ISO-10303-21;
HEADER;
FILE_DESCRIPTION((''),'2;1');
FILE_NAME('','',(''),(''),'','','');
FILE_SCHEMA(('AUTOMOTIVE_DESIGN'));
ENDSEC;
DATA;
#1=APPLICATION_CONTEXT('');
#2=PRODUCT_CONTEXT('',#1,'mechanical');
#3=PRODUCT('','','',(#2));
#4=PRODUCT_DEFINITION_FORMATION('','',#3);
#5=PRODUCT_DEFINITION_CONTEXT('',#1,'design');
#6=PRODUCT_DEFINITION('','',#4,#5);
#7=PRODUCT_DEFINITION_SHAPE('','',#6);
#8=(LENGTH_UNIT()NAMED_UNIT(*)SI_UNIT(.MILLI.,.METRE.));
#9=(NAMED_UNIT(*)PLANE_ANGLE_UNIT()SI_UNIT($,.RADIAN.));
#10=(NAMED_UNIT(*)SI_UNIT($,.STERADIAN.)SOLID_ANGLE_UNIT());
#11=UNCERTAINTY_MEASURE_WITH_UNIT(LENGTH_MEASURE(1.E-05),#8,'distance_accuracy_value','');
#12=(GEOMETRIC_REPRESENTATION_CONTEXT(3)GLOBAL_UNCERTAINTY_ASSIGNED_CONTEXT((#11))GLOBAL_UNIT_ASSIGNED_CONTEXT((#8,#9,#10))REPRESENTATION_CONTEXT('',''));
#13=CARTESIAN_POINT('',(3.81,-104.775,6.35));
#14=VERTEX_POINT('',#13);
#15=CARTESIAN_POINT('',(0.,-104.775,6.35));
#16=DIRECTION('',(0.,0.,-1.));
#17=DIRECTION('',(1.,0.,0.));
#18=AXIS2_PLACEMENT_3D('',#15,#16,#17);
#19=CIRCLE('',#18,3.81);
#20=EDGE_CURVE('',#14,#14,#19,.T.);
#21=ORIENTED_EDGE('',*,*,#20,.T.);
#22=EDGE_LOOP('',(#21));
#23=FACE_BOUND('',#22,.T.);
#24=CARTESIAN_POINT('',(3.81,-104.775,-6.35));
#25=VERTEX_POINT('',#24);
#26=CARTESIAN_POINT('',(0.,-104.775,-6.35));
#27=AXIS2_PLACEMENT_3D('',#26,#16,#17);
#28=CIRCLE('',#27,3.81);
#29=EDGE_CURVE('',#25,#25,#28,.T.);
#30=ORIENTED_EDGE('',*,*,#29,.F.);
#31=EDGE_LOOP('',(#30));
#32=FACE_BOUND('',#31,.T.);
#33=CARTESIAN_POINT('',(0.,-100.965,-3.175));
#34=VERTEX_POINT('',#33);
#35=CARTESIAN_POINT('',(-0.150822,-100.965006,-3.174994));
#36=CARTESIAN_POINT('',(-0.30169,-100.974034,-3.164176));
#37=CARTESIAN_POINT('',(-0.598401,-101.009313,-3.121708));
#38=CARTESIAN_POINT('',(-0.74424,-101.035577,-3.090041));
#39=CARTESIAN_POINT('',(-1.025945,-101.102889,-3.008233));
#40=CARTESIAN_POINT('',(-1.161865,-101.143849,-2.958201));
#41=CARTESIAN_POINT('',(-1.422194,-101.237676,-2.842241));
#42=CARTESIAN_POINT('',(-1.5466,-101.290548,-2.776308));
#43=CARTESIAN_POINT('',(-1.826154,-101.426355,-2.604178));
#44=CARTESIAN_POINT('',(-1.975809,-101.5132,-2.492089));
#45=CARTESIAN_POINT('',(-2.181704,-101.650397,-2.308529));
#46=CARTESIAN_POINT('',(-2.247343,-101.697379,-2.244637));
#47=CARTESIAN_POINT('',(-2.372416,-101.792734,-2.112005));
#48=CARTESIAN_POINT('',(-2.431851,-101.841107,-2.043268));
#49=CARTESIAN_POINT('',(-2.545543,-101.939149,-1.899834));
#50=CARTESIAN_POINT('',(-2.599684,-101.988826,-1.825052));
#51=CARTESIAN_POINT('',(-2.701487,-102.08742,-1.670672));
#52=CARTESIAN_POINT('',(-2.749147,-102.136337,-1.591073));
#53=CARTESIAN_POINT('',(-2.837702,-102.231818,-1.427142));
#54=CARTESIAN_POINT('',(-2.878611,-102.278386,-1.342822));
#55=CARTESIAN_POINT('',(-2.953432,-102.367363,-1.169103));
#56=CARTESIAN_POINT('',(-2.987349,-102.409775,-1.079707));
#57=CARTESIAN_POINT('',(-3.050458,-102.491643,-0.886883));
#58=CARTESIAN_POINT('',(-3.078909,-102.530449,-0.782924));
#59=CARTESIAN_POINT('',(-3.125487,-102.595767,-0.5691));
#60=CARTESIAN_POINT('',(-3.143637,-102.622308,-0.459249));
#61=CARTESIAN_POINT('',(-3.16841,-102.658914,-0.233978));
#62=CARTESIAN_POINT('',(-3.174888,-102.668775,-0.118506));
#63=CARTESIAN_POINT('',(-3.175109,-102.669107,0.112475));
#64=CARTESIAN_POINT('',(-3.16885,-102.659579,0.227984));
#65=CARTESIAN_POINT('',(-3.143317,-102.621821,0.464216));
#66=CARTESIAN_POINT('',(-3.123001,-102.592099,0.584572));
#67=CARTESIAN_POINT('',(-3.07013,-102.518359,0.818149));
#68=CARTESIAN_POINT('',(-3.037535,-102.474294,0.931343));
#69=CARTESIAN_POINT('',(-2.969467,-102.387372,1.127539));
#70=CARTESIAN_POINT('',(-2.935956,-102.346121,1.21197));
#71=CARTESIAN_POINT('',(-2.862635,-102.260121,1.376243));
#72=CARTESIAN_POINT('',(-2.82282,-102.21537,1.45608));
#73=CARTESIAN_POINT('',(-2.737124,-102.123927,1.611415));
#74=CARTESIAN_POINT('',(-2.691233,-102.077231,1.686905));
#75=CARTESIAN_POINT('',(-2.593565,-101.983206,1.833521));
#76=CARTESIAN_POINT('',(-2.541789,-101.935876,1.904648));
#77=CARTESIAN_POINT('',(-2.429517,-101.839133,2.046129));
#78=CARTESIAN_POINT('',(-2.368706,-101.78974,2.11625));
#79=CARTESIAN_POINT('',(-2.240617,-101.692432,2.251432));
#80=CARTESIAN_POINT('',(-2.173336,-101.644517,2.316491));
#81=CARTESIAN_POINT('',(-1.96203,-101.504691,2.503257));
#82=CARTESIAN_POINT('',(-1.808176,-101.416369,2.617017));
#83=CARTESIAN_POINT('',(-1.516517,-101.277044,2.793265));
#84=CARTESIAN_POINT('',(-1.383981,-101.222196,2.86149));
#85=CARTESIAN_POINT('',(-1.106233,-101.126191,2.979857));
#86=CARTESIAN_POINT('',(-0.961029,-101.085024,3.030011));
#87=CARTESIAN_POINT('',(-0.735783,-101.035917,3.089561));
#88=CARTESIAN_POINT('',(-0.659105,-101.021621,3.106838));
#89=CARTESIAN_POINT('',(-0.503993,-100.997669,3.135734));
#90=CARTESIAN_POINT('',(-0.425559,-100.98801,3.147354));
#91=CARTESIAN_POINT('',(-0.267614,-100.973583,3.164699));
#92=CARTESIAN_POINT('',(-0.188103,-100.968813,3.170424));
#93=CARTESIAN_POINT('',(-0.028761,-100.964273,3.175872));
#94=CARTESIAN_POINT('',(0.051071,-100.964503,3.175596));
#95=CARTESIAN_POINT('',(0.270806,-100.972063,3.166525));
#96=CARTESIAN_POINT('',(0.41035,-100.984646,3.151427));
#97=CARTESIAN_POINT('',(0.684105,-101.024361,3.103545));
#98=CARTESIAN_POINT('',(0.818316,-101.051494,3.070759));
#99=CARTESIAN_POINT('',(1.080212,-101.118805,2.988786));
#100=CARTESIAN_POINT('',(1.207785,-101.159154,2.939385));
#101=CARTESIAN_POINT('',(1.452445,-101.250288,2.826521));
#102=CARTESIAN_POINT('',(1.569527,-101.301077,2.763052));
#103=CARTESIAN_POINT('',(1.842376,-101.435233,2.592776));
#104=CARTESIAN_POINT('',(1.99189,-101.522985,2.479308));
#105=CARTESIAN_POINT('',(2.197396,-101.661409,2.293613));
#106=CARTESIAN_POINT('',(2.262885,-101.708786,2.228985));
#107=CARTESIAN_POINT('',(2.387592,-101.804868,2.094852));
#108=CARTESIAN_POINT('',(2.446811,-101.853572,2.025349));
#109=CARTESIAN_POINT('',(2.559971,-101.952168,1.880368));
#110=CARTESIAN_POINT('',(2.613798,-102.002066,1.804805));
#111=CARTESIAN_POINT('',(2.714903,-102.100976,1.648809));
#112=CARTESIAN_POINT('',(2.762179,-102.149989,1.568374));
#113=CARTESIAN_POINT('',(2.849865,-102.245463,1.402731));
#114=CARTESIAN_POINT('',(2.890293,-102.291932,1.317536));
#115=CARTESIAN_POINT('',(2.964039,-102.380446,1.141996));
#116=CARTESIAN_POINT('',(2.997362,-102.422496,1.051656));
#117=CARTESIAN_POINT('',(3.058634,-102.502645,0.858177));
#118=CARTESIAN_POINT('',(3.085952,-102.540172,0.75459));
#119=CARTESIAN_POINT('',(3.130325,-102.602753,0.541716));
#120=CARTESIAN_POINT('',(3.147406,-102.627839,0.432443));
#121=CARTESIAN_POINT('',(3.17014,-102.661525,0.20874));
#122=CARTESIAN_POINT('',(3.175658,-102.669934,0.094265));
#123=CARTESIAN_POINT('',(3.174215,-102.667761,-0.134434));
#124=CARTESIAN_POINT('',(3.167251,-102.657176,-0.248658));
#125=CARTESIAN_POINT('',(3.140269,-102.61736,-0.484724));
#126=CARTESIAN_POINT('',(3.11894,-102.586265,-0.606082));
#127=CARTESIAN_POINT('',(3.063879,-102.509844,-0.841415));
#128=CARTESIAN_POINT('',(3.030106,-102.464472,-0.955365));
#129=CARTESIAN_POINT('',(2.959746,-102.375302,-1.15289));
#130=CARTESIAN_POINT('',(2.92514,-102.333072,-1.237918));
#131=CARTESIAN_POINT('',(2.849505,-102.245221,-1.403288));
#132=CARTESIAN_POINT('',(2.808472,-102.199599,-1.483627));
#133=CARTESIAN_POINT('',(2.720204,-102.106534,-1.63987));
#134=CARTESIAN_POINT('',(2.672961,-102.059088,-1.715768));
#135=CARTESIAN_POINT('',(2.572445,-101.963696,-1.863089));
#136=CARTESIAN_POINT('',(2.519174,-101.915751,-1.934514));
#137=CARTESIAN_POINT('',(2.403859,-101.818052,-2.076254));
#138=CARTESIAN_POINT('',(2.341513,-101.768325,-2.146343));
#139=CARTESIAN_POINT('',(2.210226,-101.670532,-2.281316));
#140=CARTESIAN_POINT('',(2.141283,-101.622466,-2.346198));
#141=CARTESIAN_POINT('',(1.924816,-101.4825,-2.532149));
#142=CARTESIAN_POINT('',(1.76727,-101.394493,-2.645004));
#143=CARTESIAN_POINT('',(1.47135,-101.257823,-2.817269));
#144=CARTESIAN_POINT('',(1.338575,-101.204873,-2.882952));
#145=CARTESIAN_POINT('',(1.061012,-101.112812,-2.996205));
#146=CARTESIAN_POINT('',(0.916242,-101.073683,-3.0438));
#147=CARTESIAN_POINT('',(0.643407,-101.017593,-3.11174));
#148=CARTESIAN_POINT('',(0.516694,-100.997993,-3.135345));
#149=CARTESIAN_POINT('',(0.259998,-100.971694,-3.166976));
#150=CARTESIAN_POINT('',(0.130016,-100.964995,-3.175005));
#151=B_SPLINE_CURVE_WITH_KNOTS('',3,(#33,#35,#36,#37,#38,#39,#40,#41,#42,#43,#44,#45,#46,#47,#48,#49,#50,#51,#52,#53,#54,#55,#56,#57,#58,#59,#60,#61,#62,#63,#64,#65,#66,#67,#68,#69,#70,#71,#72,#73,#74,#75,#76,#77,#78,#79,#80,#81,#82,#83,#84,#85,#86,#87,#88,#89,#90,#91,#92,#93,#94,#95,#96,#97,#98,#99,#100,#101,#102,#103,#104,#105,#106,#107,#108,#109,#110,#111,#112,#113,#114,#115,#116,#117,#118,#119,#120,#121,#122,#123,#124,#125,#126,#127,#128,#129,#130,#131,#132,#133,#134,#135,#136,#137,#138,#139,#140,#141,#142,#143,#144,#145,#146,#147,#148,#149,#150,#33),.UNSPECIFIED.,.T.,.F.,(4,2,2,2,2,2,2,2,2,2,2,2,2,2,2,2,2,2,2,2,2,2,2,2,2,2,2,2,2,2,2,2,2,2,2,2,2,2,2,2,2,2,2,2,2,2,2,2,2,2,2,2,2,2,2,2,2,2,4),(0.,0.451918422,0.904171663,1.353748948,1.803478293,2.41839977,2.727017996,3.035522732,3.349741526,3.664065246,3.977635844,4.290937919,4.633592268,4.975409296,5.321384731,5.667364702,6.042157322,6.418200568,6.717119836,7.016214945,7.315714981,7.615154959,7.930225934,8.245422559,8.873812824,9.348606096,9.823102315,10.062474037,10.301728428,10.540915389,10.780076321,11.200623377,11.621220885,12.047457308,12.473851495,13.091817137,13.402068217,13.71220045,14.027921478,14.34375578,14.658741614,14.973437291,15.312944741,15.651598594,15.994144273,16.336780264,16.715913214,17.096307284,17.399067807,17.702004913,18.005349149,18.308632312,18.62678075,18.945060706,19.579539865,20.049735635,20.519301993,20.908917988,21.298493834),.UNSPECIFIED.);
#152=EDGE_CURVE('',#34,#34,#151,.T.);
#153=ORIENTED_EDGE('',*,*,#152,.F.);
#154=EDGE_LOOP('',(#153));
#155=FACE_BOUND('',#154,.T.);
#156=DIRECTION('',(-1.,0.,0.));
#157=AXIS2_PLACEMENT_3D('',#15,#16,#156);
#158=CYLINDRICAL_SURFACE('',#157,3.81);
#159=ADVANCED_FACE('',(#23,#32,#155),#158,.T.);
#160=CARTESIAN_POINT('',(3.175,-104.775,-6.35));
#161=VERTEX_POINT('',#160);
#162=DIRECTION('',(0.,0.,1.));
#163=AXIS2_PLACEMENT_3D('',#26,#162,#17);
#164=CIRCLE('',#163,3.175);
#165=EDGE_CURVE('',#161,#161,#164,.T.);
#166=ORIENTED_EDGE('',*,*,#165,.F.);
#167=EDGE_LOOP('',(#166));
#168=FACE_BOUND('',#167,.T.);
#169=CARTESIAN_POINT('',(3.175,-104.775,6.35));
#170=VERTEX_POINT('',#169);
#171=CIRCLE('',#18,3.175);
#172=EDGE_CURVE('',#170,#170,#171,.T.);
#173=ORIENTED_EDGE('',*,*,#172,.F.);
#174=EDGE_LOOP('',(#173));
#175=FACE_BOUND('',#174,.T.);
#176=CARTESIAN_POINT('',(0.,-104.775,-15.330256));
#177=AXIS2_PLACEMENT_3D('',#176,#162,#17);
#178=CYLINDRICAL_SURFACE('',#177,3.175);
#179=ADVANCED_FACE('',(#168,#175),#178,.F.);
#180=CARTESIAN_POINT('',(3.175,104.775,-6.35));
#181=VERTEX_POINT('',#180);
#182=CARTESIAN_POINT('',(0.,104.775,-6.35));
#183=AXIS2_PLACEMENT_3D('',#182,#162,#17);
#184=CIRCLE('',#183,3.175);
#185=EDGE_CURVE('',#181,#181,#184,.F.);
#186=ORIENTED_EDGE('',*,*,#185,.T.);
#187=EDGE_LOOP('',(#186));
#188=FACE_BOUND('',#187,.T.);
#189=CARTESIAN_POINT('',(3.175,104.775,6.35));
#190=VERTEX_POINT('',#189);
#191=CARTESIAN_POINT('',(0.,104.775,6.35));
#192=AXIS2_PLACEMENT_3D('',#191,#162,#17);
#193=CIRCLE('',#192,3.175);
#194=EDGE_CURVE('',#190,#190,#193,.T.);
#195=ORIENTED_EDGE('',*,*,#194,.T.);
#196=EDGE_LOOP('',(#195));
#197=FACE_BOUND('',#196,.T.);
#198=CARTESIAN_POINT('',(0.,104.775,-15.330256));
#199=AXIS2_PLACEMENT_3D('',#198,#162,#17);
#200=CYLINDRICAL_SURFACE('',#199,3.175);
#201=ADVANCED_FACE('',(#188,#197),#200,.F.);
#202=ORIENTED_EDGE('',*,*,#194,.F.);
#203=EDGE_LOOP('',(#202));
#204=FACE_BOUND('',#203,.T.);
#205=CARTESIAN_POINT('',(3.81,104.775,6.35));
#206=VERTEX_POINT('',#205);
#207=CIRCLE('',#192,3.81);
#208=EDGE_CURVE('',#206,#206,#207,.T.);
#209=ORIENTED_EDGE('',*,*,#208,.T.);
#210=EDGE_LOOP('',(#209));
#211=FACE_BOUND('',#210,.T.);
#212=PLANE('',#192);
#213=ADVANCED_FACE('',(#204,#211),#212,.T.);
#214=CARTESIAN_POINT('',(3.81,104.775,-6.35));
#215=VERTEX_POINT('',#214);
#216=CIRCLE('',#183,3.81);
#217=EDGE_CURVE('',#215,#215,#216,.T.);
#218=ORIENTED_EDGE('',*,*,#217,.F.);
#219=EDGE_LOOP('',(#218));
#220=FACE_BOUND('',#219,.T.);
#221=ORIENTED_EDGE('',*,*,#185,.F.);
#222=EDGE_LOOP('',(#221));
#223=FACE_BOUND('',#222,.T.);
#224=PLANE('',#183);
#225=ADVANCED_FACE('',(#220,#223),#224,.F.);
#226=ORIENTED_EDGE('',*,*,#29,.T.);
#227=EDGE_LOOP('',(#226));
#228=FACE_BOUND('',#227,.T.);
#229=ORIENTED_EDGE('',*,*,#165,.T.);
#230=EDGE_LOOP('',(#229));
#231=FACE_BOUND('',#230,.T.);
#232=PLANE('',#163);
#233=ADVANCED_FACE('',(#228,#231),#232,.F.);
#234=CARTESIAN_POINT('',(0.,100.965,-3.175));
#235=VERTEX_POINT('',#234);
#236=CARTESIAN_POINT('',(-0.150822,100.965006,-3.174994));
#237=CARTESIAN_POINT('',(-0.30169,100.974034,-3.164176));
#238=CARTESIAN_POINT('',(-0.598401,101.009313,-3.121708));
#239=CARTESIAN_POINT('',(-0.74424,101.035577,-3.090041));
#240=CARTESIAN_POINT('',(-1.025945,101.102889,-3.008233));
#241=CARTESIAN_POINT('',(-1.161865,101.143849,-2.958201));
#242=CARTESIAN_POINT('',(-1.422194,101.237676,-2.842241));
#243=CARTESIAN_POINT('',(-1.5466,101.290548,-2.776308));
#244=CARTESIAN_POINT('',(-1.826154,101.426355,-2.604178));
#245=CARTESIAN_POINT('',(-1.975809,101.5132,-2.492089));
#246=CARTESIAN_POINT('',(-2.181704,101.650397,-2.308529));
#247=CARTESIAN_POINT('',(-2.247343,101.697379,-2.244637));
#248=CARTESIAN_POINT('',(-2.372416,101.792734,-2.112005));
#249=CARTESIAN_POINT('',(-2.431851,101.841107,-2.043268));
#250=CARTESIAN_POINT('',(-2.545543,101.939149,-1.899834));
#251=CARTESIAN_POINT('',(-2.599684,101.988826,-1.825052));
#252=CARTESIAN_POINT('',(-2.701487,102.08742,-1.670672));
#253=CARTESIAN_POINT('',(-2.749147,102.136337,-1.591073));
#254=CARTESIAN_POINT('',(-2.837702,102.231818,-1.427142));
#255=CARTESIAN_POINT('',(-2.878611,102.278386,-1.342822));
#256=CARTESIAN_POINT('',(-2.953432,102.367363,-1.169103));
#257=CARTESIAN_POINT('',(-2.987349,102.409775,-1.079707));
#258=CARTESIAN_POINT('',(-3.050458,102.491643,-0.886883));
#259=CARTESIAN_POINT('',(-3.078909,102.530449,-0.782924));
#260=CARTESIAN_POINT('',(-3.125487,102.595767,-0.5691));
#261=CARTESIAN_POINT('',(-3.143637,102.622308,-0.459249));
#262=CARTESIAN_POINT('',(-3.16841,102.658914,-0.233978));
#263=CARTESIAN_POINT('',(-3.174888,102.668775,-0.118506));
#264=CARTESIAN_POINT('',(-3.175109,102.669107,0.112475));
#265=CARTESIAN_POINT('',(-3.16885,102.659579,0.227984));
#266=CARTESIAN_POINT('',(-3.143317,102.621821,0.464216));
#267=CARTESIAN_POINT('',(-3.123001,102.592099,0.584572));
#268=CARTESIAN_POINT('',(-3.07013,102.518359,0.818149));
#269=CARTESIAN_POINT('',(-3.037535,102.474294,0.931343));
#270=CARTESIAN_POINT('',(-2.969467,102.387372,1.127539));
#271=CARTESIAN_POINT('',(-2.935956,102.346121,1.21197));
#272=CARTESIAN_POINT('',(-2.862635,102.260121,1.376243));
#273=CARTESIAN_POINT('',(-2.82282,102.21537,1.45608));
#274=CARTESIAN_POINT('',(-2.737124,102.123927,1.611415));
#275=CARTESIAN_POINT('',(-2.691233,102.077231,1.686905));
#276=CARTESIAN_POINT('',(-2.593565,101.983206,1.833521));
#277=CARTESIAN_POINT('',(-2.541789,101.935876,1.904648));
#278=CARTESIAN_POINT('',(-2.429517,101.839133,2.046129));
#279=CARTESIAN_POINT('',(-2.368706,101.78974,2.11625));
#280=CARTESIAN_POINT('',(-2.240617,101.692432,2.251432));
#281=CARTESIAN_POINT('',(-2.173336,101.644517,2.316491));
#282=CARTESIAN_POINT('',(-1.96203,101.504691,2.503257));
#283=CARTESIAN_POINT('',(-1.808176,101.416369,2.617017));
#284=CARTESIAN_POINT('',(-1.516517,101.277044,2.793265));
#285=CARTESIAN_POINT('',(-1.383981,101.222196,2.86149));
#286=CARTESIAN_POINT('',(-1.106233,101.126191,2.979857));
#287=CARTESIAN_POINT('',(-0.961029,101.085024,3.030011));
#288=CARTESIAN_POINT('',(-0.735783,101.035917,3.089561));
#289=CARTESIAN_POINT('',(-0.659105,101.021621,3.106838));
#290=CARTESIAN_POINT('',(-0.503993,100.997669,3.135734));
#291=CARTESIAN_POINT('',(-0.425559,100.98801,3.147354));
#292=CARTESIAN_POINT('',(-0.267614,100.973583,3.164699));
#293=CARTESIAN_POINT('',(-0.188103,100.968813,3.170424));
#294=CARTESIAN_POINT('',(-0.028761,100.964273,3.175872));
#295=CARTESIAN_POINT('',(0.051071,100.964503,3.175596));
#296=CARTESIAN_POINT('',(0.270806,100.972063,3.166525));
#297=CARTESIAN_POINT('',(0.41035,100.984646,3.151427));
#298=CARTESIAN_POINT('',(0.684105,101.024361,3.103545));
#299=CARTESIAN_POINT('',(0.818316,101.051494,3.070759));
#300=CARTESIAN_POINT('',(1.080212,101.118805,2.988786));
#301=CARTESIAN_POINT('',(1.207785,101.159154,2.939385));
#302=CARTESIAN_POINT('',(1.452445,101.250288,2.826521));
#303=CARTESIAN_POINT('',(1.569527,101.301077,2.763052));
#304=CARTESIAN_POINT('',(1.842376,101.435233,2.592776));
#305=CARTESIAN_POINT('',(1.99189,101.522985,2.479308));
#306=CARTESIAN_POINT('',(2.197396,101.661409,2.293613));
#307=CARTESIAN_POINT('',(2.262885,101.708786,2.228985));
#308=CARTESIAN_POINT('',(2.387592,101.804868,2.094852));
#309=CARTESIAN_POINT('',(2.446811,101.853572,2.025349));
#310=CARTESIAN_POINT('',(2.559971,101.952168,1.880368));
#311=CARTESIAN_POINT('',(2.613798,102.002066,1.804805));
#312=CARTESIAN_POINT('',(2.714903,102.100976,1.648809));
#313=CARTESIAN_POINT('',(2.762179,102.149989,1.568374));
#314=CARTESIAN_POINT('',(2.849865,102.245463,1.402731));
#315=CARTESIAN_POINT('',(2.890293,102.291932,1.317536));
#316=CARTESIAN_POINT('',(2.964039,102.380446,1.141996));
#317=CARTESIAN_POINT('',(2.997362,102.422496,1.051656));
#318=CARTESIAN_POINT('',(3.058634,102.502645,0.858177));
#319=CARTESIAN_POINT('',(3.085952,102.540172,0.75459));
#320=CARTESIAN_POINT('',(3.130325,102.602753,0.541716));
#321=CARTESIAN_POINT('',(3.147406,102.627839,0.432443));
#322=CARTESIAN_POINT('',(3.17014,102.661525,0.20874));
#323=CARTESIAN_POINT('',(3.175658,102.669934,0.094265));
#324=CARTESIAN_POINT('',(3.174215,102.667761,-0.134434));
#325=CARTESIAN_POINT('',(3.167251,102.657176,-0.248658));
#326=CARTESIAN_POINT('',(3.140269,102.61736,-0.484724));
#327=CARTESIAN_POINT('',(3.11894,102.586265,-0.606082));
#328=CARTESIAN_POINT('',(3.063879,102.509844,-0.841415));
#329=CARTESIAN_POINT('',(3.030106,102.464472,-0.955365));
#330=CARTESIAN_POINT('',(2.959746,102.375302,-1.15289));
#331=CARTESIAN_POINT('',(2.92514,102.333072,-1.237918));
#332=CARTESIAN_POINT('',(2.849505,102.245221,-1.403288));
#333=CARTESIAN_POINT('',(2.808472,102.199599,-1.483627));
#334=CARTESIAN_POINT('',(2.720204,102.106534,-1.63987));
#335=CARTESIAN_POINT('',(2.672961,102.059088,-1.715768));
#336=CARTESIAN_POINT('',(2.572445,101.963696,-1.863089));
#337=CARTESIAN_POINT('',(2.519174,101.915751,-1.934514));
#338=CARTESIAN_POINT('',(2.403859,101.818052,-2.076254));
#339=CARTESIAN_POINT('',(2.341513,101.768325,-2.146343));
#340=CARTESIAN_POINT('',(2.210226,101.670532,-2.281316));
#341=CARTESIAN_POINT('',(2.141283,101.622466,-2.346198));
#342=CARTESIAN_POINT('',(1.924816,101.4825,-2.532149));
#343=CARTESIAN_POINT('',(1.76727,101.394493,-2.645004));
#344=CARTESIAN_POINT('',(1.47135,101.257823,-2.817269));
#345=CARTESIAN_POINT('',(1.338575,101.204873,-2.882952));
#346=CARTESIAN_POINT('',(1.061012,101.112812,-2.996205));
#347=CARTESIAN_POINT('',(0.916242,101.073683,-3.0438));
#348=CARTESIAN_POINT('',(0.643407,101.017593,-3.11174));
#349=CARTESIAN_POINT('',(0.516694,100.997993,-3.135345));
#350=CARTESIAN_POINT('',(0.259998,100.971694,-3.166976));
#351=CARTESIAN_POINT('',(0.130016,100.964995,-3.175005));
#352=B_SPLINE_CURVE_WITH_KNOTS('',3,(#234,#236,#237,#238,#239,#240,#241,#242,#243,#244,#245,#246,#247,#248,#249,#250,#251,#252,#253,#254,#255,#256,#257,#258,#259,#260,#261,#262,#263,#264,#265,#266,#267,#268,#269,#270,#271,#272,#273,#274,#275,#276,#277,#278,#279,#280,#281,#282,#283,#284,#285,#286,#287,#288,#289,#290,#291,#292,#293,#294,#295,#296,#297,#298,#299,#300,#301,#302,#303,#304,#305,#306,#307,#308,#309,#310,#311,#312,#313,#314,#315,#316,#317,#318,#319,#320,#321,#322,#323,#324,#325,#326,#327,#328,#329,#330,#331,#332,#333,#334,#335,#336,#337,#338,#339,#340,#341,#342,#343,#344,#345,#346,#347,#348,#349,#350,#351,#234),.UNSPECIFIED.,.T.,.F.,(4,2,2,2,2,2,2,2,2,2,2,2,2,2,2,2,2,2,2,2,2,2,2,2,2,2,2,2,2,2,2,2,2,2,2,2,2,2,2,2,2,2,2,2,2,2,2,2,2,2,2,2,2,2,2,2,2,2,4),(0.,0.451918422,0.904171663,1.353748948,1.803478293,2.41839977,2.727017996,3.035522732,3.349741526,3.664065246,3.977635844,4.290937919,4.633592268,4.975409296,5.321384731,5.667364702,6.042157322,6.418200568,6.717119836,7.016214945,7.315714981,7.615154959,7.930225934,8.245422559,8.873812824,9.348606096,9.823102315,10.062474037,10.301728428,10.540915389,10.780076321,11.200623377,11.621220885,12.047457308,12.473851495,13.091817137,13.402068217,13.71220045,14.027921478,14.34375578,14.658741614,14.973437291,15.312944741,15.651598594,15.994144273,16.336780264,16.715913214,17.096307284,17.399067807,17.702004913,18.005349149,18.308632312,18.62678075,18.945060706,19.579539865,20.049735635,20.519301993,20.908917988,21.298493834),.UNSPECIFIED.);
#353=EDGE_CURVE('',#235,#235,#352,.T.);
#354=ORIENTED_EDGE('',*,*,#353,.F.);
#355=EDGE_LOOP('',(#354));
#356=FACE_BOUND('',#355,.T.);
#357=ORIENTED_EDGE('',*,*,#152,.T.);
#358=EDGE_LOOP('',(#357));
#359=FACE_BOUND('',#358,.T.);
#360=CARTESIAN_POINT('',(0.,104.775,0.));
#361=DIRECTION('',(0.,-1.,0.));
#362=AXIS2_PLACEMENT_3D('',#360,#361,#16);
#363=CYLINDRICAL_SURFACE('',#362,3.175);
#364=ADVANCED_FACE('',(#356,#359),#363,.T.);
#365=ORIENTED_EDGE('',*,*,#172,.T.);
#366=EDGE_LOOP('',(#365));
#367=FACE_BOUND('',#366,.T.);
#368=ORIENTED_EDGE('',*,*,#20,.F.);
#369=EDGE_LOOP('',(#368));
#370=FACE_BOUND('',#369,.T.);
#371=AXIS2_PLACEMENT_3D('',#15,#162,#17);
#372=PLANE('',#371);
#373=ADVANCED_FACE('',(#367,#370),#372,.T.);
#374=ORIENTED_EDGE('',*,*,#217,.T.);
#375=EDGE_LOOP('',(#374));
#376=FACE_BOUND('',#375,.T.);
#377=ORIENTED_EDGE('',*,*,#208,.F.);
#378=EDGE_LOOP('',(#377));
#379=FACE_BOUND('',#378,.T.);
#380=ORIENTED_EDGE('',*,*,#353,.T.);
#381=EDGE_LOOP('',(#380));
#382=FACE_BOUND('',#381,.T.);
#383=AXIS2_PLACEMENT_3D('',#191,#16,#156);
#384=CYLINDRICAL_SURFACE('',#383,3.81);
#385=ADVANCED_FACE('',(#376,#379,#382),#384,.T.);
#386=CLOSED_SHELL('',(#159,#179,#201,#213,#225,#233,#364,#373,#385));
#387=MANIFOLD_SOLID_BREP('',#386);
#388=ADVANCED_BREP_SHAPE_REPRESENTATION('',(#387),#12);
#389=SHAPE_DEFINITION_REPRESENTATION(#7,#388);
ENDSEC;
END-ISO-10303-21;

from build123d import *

# Parameters (mm, degrees)
SKETCH3_R           = 3.175
BOSS_EXTRUDE1_DEPTH = 104.775
SKETCH4_R           = 3.81
BOSS_EXTRUDE2_DEPTH = 6.35
SKETCH5_R           = 3.175
CUT_EXTRUDE1_DEPTH  = 12.7


with BuildPart() as part:
    # Sketch3 → Boss-Extrude1 (new, symmetric)
    with BuildSketch(Plane(origin=(0, 0, 0), x_dir=(1, 0, 0), z_dir=(0, 1, 0))):
        with Locations(Location((0, 0, 0), (0, 0, 270))):
            Circle(SKETCH3_R)
    extrude(amount=BOSS_EXTRUDE1_DEPTH, both=True)

    # Sketch4 → Boss-Extrude2 (add, symmetric)
    with BuildSketch(Plane.XY):
        with Locations((0, 104.775)):
            Circle(SKETCH4_R)
    boss_extrude2 = extrude(amount=BOSS_EXTRUDE2_DEPTH, both=True)

    # Sketch5 → Cut-Extrude1 (cut)
    with BuildSketch(Plane.XY.offset(6.35)):
        with Locations((0, 104.775)):
            Circle(SKETCH5_R)
    cut_extrude1 = extrude(amount=-CUT_EXTRUDE1_DEPTH, mode=Mode.SUBTRACT)

    # Mirror1: Boss-Extrude2, Cut-Extrude1 across plane
    add(boss_extrude2.mirror(Plane.ZX))
    add(cut_extrude1.mirror(Plane.ZX), mode=Mode.SUBTRACT)


solid = part.part
